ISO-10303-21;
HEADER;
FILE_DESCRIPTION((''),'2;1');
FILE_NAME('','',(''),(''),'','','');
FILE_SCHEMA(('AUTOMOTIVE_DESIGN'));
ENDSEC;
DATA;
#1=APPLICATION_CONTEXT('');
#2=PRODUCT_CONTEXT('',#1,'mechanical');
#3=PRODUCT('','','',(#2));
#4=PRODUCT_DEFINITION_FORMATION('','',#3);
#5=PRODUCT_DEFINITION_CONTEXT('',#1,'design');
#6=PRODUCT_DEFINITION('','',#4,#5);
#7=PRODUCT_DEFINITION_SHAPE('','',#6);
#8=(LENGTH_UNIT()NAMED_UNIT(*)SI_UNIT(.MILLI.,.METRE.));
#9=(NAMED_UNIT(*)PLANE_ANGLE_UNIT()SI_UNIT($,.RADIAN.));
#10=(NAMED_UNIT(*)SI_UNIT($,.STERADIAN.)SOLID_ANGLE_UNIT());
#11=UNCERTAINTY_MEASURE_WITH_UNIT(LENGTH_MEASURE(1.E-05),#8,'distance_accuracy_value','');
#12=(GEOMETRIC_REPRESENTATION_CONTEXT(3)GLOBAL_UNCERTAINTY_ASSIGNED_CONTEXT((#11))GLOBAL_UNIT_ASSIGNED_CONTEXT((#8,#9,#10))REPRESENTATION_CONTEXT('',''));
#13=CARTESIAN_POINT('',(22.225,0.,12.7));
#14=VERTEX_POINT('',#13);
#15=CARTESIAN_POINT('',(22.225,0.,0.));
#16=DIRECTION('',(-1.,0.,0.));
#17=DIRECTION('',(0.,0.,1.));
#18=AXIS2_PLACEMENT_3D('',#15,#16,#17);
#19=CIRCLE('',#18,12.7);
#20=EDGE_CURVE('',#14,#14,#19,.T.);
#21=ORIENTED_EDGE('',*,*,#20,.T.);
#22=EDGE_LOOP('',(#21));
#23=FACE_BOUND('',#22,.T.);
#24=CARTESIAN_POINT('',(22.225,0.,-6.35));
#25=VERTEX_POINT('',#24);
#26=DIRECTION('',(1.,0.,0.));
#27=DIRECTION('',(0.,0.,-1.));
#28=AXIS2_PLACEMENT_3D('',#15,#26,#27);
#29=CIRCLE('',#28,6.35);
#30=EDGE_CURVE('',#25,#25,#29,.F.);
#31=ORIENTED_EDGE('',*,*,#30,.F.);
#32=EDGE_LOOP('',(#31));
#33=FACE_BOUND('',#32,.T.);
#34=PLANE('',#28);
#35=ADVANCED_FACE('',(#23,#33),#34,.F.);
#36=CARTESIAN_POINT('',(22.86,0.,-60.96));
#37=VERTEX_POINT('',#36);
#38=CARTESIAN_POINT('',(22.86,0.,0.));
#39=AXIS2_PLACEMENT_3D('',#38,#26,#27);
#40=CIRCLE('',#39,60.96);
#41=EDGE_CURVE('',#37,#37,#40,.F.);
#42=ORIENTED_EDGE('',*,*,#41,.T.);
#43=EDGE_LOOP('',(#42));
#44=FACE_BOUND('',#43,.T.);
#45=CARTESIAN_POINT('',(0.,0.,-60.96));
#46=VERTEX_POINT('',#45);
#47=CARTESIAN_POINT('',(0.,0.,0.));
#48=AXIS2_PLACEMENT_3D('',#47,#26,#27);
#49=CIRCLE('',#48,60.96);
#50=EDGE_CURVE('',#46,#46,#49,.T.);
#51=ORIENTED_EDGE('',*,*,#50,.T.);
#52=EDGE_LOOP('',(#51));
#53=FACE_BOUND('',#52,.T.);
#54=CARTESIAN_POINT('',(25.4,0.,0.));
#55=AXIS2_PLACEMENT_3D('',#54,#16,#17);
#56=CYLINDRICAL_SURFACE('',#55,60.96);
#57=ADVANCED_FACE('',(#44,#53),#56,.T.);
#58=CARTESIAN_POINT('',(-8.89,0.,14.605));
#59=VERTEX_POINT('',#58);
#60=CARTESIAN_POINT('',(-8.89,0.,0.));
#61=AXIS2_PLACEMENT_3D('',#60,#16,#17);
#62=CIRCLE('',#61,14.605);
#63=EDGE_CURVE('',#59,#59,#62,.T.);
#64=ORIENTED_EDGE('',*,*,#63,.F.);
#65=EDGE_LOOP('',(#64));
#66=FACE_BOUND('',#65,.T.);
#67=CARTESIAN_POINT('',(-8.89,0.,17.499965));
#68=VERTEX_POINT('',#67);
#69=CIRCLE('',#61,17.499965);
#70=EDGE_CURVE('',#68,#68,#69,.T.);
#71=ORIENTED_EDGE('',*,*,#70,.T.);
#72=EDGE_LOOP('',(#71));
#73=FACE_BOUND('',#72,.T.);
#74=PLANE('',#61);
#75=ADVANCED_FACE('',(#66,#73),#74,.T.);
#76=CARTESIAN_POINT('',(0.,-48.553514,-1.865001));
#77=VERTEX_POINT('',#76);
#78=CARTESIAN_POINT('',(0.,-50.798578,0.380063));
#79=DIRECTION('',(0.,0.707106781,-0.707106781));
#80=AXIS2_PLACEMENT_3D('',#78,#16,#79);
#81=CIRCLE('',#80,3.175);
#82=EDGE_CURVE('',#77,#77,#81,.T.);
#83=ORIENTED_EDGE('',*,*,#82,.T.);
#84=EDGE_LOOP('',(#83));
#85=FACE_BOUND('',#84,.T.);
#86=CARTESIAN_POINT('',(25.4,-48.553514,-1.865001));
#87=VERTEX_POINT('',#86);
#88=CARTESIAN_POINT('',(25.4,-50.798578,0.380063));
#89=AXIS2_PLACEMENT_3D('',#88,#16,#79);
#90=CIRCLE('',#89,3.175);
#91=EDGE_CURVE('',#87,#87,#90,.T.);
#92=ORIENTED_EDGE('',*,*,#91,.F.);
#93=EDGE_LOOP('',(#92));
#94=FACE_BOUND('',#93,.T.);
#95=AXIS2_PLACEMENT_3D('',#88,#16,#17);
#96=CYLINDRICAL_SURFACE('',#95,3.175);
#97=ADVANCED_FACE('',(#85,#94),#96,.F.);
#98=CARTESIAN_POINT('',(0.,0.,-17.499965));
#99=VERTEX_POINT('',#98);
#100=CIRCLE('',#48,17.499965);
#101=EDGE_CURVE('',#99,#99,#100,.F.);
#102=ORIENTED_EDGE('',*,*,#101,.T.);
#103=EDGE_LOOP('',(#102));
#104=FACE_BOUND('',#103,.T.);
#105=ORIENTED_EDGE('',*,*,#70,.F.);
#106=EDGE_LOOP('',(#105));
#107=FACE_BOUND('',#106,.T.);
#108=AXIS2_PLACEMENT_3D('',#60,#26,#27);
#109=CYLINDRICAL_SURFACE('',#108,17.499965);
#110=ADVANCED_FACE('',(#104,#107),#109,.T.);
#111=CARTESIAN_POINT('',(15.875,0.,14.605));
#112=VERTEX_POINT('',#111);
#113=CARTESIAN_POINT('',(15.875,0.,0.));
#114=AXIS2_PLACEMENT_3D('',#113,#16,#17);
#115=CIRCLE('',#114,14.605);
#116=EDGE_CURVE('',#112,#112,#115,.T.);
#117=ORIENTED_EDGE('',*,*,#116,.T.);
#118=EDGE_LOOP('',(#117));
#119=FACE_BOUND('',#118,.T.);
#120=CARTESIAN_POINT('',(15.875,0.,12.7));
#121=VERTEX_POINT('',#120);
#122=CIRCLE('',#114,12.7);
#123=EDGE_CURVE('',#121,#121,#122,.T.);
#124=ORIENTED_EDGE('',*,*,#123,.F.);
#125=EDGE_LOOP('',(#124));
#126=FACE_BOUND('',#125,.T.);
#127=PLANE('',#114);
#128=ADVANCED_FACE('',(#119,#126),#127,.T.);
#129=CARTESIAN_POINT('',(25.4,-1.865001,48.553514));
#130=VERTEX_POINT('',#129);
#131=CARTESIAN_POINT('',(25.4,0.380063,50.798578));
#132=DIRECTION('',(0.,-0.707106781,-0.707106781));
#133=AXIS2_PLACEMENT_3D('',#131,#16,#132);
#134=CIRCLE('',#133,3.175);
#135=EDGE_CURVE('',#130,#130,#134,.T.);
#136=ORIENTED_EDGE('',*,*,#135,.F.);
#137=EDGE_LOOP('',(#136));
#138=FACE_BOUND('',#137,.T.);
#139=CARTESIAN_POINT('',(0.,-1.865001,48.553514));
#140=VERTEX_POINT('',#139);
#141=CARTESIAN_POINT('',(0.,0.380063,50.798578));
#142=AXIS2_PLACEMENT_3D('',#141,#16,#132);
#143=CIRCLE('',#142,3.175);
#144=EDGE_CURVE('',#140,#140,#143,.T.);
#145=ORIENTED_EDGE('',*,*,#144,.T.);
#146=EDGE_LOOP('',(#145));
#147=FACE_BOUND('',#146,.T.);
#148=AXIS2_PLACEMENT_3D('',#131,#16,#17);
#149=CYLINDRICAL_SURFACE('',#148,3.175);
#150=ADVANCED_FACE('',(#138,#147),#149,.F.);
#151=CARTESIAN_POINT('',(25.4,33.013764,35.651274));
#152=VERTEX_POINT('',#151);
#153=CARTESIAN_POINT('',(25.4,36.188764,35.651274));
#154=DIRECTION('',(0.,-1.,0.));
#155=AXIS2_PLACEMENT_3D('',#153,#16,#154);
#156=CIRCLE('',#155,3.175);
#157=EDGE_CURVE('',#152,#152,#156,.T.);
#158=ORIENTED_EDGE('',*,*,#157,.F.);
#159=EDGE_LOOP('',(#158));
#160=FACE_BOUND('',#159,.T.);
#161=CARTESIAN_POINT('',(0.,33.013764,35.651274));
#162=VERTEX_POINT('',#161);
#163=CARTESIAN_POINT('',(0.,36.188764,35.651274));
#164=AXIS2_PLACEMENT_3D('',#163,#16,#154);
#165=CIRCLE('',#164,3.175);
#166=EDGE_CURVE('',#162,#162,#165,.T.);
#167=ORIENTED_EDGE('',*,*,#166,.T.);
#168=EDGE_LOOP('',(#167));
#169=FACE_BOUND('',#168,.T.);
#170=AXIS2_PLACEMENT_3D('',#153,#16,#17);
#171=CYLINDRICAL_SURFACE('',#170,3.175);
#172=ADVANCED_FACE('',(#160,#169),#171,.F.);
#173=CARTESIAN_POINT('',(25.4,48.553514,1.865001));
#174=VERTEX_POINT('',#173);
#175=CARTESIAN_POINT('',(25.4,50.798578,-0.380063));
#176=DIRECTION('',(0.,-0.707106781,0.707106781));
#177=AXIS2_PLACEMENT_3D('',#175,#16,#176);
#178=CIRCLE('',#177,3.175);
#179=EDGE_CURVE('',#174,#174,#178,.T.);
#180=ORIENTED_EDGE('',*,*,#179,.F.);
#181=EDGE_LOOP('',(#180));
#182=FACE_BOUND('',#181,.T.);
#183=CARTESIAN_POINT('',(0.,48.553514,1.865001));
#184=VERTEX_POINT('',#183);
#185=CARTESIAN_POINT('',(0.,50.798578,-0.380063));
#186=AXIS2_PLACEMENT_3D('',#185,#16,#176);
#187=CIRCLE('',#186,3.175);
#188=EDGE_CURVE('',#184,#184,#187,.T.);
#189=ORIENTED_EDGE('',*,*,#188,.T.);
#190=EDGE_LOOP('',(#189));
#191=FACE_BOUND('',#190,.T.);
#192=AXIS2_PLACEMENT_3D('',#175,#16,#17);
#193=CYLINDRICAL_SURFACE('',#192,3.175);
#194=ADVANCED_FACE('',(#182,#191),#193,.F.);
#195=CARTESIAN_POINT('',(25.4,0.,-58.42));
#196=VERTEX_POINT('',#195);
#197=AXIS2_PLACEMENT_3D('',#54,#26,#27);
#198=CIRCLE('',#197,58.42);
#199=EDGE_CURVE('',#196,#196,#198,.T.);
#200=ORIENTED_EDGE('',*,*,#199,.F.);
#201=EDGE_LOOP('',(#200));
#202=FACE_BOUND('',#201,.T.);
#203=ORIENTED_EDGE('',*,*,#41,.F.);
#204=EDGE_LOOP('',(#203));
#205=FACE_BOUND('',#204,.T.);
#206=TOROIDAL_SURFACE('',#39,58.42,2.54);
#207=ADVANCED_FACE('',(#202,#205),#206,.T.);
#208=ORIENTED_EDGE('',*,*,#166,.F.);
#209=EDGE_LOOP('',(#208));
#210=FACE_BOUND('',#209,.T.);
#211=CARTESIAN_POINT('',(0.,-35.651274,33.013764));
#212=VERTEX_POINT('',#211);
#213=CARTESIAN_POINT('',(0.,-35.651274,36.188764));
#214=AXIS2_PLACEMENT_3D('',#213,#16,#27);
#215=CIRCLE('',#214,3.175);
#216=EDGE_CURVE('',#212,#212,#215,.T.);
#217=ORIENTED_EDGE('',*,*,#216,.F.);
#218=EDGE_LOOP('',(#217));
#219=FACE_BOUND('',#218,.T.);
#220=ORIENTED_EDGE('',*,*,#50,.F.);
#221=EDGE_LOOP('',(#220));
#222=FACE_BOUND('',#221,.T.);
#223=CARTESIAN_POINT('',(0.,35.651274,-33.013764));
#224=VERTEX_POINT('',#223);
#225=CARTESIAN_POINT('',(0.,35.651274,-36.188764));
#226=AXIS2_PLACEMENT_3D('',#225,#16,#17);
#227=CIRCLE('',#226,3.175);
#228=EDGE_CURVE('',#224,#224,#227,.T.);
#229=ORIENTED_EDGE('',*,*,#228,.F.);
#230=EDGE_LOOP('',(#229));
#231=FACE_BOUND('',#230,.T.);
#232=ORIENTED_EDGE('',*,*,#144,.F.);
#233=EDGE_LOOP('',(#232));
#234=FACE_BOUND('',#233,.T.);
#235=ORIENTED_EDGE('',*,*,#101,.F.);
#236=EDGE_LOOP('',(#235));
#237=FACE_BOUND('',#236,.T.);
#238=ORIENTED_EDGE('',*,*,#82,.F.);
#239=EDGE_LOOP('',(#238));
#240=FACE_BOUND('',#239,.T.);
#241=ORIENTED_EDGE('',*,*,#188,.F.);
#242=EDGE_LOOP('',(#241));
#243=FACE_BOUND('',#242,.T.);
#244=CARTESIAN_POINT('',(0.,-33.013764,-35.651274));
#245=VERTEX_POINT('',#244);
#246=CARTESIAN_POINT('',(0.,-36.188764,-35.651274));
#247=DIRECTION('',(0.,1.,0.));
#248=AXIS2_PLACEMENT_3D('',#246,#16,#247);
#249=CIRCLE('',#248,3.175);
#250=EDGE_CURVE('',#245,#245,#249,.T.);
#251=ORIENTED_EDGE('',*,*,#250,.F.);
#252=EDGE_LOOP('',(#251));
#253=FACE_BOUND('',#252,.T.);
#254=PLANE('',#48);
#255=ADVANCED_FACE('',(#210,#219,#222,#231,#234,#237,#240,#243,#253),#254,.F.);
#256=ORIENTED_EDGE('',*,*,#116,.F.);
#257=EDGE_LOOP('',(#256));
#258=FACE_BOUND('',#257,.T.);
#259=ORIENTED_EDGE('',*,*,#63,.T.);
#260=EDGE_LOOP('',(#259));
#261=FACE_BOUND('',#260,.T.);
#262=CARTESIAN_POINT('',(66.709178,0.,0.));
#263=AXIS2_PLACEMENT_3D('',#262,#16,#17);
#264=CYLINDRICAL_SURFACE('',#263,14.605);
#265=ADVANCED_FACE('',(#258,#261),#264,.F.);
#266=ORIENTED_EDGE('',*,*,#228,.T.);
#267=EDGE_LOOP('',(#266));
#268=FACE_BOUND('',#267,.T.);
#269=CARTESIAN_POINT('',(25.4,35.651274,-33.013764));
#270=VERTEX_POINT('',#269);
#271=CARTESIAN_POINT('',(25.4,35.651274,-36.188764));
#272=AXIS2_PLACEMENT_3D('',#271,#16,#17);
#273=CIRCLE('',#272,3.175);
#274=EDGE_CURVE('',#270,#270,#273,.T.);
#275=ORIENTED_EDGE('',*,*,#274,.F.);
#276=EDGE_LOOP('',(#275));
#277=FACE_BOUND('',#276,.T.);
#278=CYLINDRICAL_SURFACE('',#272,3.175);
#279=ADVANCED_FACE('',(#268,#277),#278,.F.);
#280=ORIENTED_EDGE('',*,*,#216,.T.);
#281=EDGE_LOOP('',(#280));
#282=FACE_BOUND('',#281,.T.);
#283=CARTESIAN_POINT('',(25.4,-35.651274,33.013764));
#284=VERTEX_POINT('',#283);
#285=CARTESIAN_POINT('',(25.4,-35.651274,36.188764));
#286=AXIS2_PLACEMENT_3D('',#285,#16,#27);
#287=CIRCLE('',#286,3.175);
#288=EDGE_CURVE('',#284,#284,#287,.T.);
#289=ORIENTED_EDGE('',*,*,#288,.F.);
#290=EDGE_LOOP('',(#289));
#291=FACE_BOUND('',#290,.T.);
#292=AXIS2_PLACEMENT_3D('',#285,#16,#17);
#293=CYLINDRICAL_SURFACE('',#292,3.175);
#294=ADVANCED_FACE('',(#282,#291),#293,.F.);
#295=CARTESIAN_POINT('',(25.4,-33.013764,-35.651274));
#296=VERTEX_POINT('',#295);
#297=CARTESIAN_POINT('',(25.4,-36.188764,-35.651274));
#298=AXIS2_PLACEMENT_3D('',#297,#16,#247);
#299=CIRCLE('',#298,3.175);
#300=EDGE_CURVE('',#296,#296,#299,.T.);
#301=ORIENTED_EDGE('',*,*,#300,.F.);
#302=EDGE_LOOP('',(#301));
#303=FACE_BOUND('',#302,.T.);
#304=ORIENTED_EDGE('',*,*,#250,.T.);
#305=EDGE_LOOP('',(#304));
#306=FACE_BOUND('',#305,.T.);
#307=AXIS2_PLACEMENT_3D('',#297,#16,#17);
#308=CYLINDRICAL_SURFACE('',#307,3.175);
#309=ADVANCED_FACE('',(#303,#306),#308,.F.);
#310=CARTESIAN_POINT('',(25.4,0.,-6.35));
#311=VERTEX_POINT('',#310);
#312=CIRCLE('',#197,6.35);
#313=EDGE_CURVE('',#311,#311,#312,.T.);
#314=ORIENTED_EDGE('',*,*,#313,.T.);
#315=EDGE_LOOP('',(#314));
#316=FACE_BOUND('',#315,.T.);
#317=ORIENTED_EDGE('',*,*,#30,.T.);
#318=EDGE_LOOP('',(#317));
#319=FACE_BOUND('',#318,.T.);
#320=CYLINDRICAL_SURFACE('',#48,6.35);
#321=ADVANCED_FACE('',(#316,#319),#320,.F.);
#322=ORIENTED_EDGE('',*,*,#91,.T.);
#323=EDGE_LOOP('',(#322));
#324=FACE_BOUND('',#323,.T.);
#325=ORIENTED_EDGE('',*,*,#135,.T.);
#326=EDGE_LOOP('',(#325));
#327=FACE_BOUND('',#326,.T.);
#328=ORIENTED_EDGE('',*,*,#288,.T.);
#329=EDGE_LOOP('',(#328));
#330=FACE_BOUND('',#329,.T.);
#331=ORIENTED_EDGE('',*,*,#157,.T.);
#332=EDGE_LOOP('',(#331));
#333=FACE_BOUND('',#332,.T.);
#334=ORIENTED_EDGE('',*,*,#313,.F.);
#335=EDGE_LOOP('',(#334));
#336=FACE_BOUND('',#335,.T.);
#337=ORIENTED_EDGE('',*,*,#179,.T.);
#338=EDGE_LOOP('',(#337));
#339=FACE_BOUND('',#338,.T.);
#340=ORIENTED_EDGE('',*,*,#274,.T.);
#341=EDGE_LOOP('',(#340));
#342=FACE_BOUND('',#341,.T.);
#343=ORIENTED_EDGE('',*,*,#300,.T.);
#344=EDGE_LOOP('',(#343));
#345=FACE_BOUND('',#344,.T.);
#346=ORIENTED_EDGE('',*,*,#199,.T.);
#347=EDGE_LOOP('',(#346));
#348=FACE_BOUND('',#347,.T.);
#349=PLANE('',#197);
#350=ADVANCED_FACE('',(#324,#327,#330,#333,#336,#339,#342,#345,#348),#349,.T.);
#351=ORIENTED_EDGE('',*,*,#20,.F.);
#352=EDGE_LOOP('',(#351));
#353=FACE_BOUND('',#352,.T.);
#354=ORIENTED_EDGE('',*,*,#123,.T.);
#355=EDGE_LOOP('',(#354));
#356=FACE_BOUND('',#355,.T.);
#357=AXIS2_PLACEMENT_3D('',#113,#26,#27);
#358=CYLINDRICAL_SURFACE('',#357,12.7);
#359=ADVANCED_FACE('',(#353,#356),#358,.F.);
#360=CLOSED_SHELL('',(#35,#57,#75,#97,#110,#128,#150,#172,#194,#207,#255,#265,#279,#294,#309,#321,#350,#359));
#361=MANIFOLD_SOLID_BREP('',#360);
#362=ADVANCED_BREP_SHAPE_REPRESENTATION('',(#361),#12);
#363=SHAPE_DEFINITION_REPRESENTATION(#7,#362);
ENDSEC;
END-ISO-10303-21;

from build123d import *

# Parameters (mm, degrees)
SKETCH1_R           = 60.96
BOSS_EXTRUDE1_DEPTH = 25.4
FILLET1_R           = 2.54
SKETCH2_R           = 4.508
CUT_EXTRUDE1_DEPTH  = 6.35
SKETCH4_R           = 6.35
CUT_EXTRUDE3_DEPTH  = 90.874374546
SKETCH5_R           = 3.175
CUT_EXTRUDE4_DEPTH  = 90.874374546
CIRPATTERN2_COUNT   = 8
SKETCH6_R           = 14.605
CUT_EXTRUDE5_DEPTH  = 22.225
BOSS_EXTRUDE2_START = 6.35
SKETCH7_R           = 14.605
SKETCH7_R_2         = 12.7
BOSS_EXTRUDE2_DEPTH = 6.35
BOSS_EXTRUDE3_START = 8.89
SKETCH8_R           = 17.499965
SKETCH8_R_2         = 14.605
BOSS_EXTRUDE3_DEPTH = 8.89


with BuildPart() as part:
    # Sketch1 → Boss-Extrude1 (new body)
    with BuildSketch(Plane(origin=(0, 0, 0), x_dir=(0, 0, -1), z_dir=(1, 0, 0))):
        Circle(SKETCH1_R)
    extrude(amount=BOSS_EXTRUDE1_DEPTH)

    # Fillet1
    fillet1_edges = [part.edges().sort_by_distance(p)[0] for p in [
        (25.4, 0, 60.96),
    ]]
    fillet(fillet1_edges, radius=FILLET1_R)

    # Sketch2 → Cut-Extrude1 (cut)
    with BuildSketch(Plane(origin=(25.4, 0, 0), x_dir=(0, 0, -1), z_dir=(1, 0, 0))):
        Circle(SKETCH2_R)
    extrude(amount=-CUT_EXTRUDE1_DEPTH, mode=Mode.SUBTRACT)

    # Sketch4 → Cut-Extrude3 (cut, through all)
    with BuildSketch(Plane(origin=(25.4, 0, 0), x_dir=(0, 0, -1), z_dir=(1, 0, 0))):
        Circle(SKETCH4_R)
    extrude(amount=-CUT_EXTRUDE3_DEPTH, mode=Mode.SUBTRACT)

    # Sketch5 → Cut-Extrude4 (cut, through all)
    with BuildSketch(Plane.ZY):
        with Locations((-36.188764222, 35.651274088)):
            Circle(SKETCH5_R)
    cut_extrude4 = extrude(amount=-CUT_EXTRUDE4_DEPTH, mode=Mode.SUBTRACT)

    # CirPattern2: Cut-Extrude4 ×8 about axis, 1 skipped
    cirpattern2_axis = Axis((0, 0, 0), (1, 0, 0))
    add([cut_extrude4.rotate(cirpattern2_axis, i * 360 / CIRPATTERN2_COUNT) for i in range(1, CIRPATTERN2_COUNT) if i not in (7,)], mode=Mode.SUBTRACT)

    # Sketch6 → Cut-Extrude5 (cut)
    with BuildSketch(Plane.ZY):
        Circle(SKETCH6_R)
    extrude(amount=-CUT_EXTRUDE5_DEPTH, mode=Mode.SUBTRACT)

    # Sketch7 → Boss-Extrude2 (add)
    with BuildSketch(Plane.ZY.offset(-22.225).offset(BOSS_EXTRUDE2_START)):
        Circle(SKETCH7_R)
        Circle(SKETCH7_R_2, mode=Mode.SUBTRACT)
    extrude(amount=-BOSS_EXTRUDE2_DEPTH)

    # Sketch8 → Boss-Extrude3 (add)
    with BuildSketch(Plane.ZY.offset(BOSS_EXTRUDE3_START)):
        with Locations(Location((0, 0, 0), (0, 0, 180))):
            Circle(SKETCH8_R)
        Circle(SKETCH8_R_2, mode=Mode.SUBTRACT)
    extrude(amount=-BOSS_EXTRUDE3_DEPTH)


solid = part.part
